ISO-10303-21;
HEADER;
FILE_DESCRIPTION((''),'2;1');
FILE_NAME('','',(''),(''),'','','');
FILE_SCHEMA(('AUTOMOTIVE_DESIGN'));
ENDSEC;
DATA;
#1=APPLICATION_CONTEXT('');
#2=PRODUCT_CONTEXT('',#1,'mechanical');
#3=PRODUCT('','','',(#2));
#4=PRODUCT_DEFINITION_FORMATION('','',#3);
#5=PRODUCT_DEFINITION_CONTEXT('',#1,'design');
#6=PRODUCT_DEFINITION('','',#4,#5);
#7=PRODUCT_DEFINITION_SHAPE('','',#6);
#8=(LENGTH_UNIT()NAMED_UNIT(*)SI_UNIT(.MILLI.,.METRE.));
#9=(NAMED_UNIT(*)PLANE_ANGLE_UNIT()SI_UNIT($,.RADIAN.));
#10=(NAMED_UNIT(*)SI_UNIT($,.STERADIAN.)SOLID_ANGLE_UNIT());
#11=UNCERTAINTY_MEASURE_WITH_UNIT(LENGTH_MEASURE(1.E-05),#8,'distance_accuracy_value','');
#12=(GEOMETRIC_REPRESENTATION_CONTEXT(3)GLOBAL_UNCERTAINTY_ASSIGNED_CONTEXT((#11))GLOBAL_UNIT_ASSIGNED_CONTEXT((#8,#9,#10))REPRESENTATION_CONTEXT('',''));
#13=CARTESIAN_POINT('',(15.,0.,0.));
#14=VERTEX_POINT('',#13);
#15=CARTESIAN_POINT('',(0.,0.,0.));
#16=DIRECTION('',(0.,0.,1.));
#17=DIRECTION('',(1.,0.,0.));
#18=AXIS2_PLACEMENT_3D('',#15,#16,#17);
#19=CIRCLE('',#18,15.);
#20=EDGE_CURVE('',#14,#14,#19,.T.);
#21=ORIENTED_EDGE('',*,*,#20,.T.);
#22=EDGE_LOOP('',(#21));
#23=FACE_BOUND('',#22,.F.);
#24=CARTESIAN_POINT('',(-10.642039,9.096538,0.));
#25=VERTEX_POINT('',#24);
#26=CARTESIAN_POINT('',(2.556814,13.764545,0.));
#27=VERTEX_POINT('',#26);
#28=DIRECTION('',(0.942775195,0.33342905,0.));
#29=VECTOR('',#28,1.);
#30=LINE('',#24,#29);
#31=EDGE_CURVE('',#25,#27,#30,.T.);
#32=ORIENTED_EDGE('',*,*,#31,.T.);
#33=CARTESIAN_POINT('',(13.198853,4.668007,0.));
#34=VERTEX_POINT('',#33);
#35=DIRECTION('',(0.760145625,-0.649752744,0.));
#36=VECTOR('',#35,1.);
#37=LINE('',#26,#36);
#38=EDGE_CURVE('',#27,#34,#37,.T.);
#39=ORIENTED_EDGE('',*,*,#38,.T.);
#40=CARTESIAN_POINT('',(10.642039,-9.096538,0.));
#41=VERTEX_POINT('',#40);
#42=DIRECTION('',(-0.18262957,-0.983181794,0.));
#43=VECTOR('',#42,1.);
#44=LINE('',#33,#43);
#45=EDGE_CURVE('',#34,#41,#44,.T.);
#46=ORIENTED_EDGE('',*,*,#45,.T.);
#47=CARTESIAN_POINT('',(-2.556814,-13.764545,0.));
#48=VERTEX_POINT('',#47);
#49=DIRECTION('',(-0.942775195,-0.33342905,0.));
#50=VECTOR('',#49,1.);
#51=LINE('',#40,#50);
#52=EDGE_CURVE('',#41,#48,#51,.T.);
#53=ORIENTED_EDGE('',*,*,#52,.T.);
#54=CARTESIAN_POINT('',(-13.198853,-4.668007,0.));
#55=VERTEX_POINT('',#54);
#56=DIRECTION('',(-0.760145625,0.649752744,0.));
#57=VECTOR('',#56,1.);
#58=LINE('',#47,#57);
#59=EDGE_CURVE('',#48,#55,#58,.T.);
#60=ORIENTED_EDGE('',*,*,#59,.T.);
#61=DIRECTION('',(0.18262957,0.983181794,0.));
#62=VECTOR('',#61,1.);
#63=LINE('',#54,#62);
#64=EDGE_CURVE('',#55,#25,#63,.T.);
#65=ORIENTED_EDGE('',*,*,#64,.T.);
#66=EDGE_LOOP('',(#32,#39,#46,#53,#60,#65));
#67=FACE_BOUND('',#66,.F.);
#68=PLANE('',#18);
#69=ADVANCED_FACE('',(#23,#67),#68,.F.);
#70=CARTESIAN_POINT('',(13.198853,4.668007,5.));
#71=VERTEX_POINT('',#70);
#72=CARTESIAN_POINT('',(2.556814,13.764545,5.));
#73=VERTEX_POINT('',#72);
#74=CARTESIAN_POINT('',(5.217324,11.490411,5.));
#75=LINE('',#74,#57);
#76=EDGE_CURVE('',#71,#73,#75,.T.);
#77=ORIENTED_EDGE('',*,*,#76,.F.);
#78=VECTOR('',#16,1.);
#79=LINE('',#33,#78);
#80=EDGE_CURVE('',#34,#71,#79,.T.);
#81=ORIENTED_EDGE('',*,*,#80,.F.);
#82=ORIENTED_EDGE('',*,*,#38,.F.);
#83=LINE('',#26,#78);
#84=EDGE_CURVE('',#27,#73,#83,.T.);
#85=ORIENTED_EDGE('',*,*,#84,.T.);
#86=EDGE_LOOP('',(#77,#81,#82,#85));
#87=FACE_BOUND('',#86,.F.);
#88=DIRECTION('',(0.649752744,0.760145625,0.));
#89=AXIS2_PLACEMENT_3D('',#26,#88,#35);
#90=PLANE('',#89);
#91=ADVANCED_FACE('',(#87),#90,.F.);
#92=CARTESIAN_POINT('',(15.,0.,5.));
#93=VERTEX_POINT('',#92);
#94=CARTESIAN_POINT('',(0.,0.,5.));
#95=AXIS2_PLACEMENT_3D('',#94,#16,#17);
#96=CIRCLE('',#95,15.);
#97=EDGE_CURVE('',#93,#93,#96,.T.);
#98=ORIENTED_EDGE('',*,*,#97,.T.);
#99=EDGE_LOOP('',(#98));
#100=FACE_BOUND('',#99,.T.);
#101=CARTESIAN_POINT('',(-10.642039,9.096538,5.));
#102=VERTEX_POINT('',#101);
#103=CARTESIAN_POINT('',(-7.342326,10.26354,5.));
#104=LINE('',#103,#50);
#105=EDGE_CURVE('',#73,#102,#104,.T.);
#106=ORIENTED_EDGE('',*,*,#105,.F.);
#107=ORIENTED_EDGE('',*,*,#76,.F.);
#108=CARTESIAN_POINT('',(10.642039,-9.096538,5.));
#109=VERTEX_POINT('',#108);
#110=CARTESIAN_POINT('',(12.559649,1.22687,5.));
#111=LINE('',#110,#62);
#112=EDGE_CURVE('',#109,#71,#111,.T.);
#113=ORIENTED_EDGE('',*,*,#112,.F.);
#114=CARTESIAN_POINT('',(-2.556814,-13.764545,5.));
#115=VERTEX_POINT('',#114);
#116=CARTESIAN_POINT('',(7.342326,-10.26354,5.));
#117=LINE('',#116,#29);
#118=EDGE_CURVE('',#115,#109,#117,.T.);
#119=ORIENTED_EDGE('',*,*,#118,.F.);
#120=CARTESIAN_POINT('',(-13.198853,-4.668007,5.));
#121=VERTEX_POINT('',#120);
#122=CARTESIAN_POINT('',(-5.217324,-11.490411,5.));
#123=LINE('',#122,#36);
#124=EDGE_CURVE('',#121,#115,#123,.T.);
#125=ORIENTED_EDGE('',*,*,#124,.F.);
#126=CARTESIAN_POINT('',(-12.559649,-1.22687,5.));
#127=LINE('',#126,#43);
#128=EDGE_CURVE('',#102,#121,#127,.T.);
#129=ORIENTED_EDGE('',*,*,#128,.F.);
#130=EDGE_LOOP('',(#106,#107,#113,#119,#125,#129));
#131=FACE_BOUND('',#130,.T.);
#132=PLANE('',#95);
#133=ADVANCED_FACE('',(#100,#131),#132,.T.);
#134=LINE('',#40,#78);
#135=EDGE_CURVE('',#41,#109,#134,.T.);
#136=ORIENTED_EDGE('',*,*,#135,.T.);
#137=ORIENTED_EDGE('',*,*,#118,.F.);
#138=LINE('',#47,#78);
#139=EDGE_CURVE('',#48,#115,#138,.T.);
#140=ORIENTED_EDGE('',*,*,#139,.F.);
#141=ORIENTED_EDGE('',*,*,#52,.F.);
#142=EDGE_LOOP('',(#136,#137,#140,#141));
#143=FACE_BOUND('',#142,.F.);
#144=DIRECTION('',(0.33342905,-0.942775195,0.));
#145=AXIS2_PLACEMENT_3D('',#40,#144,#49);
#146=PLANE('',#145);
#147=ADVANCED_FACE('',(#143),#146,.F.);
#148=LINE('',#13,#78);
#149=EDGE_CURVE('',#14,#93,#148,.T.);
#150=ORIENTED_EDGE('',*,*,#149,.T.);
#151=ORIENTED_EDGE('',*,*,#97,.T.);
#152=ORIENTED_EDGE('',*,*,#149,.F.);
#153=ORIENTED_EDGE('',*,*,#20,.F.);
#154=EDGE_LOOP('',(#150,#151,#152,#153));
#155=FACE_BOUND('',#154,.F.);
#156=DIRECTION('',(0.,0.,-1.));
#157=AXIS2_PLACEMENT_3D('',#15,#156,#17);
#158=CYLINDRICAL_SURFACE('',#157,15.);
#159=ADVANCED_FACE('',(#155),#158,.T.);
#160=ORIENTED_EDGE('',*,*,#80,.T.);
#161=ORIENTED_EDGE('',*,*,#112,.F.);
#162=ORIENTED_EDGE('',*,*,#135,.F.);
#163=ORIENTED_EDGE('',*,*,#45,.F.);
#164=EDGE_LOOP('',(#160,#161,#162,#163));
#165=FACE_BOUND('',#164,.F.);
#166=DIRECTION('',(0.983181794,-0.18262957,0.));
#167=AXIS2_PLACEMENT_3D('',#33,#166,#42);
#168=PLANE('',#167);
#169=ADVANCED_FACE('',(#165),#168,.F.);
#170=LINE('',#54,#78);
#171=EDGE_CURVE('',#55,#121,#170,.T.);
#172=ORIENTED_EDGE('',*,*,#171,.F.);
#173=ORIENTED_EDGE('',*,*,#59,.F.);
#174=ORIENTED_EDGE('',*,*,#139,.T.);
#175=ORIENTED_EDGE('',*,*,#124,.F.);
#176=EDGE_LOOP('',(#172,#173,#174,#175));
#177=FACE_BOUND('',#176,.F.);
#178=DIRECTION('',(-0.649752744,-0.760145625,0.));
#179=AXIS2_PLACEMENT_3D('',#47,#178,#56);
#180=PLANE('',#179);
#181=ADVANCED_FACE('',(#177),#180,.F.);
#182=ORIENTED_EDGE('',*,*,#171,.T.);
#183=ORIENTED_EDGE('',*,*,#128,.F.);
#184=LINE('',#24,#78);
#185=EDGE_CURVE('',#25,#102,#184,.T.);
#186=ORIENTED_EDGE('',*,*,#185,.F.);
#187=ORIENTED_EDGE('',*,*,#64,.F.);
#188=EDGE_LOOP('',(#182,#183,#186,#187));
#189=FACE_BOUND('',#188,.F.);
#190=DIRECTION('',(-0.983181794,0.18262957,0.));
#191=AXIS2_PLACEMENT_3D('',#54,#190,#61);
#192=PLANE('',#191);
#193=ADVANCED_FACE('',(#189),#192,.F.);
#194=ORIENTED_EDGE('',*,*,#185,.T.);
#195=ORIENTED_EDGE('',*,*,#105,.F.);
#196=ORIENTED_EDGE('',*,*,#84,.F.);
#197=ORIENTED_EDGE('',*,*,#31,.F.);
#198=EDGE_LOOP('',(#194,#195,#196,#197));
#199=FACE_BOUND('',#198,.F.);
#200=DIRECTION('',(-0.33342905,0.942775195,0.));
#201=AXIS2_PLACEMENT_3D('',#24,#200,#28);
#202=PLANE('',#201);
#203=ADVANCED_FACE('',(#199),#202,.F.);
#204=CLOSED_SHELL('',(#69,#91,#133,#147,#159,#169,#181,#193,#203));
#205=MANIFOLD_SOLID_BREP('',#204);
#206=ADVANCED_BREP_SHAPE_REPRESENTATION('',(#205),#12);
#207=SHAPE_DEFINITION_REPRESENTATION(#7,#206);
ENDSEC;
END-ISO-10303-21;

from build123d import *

# Parameters (mm, degrees)
F0_R     = 15
F1_DEPTH = 5
F3_DEPTH = 25


with BuildPart() as f1:
    # F0 (on Top) → F1 (new body)
    with BuildSketch(Plane.XY):
        Circle(F0_R)
        Polygon((-2.8688276582, 13.7029131161), (10.4326570353, 9.3359341892), (13.3014846935, -4.3669789269), (2.8688276582, -13.7029131161), (-10.4326570353, -9.3359341892), (-13.3014846935, 4.3669789269), align=None, mode=Mode.SUBTRACT)
        Polygon((13.3014846935, -4.3669789269), (10.4326570353, 9.3359341892), (-2.8688276582, 13.7029131161), (-13.3014846935, 4.3669789269), (-10.4326570353, -9.3359341892), (2.8688276582, -13.7029131161), align=None)
    extrude(amount=F1_DEPTH)

    # F2 (on face) → F3 (cut)
    with BuildSketch(Plane(origin=(0, 0, 0), x_dir=(1, 0, 0), z_dir=(0, 0, -1))):
        Polygon((-13.1988527334, 4.668006697), (-10.6420387513, -9.0965384194), (2.5568139821, -13.7645451164), (13.1988527334, -4.668006697), (10.6420387513, 9.0965384194), (-2.5568139821, 13.7645451164), align=None)
    extrude(amount=-F3_DEPTH, mode=Mode.SUBTRACT)


solid = f1.part
